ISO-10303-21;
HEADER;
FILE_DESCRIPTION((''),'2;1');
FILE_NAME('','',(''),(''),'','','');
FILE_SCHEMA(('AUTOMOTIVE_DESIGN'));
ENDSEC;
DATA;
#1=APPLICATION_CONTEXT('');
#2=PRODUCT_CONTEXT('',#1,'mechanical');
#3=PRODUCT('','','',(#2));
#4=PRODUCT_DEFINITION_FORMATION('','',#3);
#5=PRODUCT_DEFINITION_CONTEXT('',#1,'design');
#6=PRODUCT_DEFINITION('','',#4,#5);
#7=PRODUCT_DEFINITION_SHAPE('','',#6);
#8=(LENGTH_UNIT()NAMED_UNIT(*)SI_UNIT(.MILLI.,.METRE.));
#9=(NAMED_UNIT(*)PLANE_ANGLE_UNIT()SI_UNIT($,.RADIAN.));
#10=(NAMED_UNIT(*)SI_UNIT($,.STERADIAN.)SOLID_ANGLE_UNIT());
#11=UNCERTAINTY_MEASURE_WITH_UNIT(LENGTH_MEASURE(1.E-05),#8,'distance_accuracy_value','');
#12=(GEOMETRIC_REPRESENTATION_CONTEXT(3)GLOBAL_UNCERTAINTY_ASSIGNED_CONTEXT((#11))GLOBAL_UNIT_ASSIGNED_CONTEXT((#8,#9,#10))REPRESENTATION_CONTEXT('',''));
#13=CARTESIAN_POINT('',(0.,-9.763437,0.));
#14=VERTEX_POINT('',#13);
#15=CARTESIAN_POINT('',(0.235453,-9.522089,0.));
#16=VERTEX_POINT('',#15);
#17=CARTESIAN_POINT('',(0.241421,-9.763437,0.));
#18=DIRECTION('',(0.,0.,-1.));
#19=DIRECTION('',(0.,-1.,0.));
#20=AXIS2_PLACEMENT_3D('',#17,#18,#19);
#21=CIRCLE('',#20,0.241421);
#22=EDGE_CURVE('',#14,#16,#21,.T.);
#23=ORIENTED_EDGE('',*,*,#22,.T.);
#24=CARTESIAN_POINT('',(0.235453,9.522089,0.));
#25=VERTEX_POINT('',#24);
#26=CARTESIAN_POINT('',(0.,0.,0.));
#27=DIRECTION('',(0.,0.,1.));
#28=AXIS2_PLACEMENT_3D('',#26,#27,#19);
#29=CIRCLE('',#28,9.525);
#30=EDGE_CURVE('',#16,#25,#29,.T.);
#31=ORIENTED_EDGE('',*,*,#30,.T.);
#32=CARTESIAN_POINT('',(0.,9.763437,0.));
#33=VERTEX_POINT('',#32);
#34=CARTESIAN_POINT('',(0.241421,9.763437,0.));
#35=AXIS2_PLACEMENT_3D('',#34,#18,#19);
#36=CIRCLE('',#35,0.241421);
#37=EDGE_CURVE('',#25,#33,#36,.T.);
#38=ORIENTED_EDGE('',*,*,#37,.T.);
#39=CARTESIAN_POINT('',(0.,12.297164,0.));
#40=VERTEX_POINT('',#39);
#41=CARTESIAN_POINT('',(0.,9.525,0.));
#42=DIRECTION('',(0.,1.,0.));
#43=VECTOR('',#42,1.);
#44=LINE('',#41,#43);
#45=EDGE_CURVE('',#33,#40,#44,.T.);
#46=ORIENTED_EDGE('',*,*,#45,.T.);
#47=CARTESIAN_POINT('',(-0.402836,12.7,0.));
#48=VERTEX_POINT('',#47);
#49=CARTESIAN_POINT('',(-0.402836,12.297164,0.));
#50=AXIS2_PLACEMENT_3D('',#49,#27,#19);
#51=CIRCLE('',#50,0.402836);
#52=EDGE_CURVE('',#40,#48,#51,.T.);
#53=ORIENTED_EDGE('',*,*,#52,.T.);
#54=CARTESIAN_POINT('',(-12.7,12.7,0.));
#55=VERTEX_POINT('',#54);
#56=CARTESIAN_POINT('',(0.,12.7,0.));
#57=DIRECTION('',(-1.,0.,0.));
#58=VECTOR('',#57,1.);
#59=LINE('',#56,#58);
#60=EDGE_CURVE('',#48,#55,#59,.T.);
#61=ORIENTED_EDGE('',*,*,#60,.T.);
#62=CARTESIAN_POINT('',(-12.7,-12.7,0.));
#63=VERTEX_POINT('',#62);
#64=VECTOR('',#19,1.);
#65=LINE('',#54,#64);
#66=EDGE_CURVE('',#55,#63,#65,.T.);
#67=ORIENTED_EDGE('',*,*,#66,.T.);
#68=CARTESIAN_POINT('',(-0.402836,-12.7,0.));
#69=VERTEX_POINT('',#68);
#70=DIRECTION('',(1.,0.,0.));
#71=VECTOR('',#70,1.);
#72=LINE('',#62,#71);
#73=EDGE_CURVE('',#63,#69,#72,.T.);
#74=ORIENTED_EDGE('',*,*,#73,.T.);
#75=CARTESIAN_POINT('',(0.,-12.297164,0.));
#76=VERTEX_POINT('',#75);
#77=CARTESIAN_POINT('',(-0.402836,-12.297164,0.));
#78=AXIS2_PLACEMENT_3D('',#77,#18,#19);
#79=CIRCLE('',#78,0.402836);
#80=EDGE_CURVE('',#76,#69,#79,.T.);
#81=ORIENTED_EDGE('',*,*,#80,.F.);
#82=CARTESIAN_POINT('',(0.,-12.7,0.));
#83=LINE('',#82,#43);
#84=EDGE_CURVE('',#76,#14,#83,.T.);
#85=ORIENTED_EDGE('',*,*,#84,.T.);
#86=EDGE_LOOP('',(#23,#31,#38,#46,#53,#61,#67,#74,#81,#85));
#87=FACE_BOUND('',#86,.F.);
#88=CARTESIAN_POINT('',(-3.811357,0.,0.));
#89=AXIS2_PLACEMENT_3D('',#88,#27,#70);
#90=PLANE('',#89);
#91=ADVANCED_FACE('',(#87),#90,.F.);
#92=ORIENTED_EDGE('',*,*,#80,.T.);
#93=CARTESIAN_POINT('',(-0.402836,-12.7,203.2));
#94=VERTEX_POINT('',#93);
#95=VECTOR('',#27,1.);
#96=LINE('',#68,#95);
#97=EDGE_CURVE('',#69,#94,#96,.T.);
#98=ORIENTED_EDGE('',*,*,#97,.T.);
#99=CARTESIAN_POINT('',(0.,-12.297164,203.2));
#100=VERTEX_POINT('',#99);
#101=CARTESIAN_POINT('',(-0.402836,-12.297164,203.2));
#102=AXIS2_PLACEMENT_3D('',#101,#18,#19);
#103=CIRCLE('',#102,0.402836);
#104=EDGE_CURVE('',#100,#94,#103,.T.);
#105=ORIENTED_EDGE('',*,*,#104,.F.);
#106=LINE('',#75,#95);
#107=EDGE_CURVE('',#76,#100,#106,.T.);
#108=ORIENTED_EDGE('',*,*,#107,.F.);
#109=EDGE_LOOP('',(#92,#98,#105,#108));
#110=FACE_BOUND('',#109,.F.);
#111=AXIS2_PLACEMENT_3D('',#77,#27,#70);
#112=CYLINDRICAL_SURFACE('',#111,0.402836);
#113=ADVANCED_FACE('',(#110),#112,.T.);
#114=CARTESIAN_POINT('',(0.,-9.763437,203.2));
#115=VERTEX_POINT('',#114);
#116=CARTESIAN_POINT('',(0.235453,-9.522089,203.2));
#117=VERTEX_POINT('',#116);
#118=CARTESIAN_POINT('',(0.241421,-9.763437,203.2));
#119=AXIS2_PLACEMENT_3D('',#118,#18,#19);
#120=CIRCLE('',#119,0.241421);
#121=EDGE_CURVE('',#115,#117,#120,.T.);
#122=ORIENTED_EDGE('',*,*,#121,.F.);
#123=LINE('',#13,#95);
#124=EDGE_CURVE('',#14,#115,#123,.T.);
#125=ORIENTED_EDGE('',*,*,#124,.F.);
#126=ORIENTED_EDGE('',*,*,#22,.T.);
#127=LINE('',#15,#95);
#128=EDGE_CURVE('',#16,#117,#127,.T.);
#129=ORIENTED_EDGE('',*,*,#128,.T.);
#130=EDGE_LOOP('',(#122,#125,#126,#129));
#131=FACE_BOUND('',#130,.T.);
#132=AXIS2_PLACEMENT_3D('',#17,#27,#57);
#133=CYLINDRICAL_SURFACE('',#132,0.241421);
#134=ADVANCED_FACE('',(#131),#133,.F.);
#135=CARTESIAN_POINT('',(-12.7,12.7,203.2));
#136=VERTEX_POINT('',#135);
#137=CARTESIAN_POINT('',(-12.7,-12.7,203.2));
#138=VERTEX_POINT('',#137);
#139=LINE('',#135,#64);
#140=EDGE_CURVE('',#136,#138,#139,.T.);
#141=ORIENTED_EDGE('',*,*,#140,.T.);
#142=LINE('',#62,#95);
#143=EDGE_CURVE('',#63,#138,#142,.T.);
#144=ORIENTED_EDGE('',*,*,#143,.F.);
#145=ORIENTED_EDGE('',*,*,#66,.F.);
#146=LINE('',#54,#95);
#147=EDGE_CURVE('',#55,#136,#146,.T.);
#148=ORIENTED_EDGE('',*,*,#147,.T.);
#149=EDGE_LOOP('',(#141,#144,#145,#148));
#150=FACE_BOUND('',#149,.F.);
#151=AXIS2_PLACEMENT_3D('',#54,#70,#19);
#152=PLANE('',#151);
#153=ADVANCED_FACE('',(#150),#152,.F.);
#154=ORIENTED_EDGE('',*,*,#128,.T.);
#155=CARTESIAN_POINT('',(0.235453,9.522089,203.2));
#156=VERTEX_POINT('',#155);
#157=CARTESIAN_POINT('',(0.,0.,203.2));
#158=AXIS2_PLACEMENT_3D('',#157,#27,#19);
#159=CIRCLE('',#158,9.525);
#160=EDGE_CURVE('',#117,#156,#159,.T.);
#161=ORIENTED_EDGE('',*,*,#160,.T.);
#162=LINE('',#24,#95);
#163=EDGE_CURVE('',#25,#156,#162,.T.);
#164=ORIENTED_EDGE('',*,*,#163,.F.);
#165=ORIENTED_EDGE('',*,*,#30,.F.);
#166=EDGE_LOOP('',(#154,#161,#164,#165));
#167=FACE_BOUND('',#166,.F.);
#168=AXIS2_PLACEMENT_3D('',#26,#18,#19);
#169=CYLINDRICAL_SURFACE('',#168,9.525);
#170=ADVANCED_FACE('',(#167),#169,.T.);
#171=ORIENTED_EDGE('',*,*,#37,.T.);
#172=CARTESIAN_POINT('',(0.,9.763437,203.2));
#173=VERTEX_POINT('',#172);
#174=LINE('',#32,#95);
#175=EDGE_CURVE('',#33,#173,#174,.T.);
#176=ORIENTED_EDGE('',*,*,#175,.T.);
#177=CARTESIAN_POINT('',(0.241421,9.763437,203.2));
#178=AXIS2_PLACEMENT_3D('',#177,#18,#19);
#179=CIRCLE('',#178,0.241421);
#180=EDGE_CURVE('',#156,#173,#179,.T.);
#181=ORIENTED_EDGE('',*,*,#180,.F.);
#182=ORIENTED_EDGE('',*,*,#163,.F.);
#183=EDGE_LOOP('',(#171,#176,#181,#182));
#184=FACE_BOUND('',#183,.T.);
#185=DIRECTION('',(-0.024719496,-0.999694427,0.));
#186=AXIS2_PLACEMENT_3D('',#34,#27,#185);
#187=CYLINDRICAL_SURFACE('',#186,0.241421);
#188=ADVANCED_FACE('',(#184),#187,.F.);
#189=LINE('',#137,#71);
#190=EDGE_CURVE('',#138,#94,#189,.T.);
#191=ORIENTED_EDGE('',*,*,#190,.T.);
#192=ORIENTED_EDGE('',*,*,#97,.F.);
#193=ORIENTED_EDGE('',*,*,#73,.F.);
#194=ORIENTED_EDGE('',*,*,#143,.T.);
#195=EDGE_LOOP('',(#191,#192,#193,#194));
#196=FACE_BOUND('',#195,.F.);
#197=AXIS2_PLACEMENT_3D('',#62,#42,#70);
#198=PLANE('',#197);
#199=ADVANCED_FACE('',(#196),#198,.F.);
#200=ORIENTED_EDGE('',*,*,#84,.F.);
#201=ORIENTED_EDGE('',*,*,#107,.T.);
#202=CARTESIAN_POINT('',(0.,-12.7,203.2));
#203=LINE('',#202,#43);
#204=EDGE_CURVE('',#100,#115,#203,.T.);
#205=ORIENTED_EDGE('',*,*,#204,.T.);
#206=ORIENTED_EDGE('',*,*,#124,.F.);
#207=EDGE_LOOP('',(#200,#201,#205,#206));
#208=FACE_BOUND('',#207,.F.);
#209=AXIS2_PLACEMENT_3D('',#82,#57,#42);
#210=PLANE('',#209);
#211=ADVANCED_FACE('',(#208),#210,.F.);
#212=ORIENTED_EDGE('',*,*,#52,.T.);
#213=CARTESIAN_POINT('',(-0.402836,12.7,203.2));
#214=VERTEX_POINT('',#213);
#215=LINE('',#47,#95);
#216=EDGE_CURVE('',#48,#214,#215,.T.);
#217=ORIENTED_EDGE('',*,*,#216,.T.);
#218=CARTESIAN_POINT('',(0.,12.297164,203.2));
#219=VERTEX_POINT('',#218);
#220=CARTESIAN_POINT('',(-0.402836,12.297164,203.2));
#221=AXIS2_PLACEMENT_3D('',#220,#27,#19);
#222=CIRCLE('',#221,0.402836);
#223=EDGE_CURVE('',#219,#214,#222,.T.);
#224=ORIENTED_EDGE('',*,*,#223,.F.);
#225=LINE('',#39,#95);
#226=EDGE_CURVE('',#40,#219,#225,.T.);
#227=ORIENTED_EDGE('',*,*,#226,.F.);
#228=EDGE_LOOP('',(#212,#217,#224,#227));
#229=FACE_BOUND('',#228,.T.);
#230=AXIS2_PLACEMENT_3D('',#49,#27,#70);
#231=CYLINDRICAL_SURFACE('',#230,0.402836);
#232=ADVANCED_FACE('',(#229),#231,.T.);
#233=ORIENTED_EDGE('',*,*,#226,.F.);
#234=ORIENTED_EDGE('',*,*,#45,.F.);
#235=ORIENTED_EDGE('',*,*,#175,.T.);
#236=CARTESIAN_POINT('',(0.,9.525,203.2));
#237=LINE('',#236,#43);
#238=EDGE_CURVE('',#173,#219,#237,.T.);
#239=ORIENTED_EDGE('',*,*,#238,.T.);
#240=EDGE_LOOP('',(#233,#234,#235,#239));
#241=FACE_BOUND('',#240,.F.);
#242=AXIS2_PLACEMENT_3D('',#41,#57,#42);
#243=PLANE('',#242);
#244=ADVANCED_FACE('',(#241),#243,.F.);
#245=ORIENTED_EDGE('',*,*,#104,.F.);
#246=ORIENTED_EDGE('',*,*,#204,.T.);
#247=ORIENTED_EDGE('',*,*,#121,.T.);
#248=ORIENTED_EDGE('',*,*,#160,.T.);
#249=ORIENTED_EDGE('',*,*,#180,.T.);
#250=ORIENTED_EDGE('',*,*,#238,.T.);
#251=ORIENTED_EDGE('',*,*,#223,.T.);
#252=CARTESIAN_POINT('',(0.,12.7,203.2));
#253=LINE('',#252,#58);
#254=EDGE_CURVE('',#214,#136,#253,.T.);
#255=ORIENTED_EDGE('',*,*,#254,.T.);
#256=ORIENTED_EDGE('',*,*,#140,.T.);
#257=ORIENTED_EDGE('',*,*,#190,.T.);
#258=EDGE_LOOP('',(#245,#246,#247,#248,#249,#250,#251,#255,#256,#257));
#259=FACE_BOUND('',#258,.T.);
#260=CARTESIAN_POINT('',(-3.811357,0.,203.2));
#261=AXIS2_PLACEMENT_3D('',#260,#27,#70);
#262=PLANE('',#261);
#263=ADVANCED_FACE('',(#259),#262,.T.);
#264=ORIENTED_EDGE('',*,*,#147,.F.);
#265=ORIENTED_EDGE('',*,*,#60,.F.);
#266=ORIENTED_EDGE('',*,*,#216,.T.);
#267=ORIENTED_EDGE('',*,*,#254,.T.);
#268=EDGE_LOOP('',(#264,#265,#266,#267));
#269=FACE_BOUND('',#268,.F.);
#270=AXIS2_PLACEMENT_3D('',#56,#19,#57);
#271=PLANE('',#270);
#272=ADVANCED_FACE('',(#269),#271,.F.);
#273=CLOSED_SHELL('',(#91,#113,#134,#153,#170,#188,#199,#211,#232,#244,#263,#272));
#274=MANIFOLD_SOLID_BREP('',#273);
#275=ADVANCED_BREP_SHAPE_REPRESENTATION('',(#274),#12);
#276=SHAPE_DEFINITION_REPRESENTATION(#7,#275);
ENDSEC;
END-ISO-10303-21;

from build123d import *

# Parameters (mm, degrees)
F1_DEPTH = 203.2
F2_R     = 0.402836
F3_R     = 0.241421


with BuildPart() as f1:
    # F0 (on Top) → F1 (new body)
    with BuildSketch(Plane.XY):
        with BuildLine():
            Line((0, -12.7), (0, -9.525))
            ThreePointArc((0, -9.525), (9.525, 0), (0, 9.525))
            Line((0, 9.525), (0, 12.7))
            Line((0, 12.7), (-12.7, 12.7))
            Line((-12.7, 12.7), (-12.7, -12.7))
            Line((-12.7, -12.7), (0, -12.7))
        make_face()
    extrude(amount=F1_DEPTH)

    # F2
    f2_edges = [f1.edges().sort_by_distance(p)[0] for p in [
        (0, 12.7, 101.6),
        (0, -12.7, 101.6),
    ]]
    fillet(f2_edges, radius=F2_R)

    # F3
    f3_edges = [f1.edges().sort_by_distance(p)[0] for p in [
        (0, 9.525, 101.6),
        (0, -9.525, 101.6),
    ]]
    fillet(f3_edges, radius=F3_R)


solid = f1.part
